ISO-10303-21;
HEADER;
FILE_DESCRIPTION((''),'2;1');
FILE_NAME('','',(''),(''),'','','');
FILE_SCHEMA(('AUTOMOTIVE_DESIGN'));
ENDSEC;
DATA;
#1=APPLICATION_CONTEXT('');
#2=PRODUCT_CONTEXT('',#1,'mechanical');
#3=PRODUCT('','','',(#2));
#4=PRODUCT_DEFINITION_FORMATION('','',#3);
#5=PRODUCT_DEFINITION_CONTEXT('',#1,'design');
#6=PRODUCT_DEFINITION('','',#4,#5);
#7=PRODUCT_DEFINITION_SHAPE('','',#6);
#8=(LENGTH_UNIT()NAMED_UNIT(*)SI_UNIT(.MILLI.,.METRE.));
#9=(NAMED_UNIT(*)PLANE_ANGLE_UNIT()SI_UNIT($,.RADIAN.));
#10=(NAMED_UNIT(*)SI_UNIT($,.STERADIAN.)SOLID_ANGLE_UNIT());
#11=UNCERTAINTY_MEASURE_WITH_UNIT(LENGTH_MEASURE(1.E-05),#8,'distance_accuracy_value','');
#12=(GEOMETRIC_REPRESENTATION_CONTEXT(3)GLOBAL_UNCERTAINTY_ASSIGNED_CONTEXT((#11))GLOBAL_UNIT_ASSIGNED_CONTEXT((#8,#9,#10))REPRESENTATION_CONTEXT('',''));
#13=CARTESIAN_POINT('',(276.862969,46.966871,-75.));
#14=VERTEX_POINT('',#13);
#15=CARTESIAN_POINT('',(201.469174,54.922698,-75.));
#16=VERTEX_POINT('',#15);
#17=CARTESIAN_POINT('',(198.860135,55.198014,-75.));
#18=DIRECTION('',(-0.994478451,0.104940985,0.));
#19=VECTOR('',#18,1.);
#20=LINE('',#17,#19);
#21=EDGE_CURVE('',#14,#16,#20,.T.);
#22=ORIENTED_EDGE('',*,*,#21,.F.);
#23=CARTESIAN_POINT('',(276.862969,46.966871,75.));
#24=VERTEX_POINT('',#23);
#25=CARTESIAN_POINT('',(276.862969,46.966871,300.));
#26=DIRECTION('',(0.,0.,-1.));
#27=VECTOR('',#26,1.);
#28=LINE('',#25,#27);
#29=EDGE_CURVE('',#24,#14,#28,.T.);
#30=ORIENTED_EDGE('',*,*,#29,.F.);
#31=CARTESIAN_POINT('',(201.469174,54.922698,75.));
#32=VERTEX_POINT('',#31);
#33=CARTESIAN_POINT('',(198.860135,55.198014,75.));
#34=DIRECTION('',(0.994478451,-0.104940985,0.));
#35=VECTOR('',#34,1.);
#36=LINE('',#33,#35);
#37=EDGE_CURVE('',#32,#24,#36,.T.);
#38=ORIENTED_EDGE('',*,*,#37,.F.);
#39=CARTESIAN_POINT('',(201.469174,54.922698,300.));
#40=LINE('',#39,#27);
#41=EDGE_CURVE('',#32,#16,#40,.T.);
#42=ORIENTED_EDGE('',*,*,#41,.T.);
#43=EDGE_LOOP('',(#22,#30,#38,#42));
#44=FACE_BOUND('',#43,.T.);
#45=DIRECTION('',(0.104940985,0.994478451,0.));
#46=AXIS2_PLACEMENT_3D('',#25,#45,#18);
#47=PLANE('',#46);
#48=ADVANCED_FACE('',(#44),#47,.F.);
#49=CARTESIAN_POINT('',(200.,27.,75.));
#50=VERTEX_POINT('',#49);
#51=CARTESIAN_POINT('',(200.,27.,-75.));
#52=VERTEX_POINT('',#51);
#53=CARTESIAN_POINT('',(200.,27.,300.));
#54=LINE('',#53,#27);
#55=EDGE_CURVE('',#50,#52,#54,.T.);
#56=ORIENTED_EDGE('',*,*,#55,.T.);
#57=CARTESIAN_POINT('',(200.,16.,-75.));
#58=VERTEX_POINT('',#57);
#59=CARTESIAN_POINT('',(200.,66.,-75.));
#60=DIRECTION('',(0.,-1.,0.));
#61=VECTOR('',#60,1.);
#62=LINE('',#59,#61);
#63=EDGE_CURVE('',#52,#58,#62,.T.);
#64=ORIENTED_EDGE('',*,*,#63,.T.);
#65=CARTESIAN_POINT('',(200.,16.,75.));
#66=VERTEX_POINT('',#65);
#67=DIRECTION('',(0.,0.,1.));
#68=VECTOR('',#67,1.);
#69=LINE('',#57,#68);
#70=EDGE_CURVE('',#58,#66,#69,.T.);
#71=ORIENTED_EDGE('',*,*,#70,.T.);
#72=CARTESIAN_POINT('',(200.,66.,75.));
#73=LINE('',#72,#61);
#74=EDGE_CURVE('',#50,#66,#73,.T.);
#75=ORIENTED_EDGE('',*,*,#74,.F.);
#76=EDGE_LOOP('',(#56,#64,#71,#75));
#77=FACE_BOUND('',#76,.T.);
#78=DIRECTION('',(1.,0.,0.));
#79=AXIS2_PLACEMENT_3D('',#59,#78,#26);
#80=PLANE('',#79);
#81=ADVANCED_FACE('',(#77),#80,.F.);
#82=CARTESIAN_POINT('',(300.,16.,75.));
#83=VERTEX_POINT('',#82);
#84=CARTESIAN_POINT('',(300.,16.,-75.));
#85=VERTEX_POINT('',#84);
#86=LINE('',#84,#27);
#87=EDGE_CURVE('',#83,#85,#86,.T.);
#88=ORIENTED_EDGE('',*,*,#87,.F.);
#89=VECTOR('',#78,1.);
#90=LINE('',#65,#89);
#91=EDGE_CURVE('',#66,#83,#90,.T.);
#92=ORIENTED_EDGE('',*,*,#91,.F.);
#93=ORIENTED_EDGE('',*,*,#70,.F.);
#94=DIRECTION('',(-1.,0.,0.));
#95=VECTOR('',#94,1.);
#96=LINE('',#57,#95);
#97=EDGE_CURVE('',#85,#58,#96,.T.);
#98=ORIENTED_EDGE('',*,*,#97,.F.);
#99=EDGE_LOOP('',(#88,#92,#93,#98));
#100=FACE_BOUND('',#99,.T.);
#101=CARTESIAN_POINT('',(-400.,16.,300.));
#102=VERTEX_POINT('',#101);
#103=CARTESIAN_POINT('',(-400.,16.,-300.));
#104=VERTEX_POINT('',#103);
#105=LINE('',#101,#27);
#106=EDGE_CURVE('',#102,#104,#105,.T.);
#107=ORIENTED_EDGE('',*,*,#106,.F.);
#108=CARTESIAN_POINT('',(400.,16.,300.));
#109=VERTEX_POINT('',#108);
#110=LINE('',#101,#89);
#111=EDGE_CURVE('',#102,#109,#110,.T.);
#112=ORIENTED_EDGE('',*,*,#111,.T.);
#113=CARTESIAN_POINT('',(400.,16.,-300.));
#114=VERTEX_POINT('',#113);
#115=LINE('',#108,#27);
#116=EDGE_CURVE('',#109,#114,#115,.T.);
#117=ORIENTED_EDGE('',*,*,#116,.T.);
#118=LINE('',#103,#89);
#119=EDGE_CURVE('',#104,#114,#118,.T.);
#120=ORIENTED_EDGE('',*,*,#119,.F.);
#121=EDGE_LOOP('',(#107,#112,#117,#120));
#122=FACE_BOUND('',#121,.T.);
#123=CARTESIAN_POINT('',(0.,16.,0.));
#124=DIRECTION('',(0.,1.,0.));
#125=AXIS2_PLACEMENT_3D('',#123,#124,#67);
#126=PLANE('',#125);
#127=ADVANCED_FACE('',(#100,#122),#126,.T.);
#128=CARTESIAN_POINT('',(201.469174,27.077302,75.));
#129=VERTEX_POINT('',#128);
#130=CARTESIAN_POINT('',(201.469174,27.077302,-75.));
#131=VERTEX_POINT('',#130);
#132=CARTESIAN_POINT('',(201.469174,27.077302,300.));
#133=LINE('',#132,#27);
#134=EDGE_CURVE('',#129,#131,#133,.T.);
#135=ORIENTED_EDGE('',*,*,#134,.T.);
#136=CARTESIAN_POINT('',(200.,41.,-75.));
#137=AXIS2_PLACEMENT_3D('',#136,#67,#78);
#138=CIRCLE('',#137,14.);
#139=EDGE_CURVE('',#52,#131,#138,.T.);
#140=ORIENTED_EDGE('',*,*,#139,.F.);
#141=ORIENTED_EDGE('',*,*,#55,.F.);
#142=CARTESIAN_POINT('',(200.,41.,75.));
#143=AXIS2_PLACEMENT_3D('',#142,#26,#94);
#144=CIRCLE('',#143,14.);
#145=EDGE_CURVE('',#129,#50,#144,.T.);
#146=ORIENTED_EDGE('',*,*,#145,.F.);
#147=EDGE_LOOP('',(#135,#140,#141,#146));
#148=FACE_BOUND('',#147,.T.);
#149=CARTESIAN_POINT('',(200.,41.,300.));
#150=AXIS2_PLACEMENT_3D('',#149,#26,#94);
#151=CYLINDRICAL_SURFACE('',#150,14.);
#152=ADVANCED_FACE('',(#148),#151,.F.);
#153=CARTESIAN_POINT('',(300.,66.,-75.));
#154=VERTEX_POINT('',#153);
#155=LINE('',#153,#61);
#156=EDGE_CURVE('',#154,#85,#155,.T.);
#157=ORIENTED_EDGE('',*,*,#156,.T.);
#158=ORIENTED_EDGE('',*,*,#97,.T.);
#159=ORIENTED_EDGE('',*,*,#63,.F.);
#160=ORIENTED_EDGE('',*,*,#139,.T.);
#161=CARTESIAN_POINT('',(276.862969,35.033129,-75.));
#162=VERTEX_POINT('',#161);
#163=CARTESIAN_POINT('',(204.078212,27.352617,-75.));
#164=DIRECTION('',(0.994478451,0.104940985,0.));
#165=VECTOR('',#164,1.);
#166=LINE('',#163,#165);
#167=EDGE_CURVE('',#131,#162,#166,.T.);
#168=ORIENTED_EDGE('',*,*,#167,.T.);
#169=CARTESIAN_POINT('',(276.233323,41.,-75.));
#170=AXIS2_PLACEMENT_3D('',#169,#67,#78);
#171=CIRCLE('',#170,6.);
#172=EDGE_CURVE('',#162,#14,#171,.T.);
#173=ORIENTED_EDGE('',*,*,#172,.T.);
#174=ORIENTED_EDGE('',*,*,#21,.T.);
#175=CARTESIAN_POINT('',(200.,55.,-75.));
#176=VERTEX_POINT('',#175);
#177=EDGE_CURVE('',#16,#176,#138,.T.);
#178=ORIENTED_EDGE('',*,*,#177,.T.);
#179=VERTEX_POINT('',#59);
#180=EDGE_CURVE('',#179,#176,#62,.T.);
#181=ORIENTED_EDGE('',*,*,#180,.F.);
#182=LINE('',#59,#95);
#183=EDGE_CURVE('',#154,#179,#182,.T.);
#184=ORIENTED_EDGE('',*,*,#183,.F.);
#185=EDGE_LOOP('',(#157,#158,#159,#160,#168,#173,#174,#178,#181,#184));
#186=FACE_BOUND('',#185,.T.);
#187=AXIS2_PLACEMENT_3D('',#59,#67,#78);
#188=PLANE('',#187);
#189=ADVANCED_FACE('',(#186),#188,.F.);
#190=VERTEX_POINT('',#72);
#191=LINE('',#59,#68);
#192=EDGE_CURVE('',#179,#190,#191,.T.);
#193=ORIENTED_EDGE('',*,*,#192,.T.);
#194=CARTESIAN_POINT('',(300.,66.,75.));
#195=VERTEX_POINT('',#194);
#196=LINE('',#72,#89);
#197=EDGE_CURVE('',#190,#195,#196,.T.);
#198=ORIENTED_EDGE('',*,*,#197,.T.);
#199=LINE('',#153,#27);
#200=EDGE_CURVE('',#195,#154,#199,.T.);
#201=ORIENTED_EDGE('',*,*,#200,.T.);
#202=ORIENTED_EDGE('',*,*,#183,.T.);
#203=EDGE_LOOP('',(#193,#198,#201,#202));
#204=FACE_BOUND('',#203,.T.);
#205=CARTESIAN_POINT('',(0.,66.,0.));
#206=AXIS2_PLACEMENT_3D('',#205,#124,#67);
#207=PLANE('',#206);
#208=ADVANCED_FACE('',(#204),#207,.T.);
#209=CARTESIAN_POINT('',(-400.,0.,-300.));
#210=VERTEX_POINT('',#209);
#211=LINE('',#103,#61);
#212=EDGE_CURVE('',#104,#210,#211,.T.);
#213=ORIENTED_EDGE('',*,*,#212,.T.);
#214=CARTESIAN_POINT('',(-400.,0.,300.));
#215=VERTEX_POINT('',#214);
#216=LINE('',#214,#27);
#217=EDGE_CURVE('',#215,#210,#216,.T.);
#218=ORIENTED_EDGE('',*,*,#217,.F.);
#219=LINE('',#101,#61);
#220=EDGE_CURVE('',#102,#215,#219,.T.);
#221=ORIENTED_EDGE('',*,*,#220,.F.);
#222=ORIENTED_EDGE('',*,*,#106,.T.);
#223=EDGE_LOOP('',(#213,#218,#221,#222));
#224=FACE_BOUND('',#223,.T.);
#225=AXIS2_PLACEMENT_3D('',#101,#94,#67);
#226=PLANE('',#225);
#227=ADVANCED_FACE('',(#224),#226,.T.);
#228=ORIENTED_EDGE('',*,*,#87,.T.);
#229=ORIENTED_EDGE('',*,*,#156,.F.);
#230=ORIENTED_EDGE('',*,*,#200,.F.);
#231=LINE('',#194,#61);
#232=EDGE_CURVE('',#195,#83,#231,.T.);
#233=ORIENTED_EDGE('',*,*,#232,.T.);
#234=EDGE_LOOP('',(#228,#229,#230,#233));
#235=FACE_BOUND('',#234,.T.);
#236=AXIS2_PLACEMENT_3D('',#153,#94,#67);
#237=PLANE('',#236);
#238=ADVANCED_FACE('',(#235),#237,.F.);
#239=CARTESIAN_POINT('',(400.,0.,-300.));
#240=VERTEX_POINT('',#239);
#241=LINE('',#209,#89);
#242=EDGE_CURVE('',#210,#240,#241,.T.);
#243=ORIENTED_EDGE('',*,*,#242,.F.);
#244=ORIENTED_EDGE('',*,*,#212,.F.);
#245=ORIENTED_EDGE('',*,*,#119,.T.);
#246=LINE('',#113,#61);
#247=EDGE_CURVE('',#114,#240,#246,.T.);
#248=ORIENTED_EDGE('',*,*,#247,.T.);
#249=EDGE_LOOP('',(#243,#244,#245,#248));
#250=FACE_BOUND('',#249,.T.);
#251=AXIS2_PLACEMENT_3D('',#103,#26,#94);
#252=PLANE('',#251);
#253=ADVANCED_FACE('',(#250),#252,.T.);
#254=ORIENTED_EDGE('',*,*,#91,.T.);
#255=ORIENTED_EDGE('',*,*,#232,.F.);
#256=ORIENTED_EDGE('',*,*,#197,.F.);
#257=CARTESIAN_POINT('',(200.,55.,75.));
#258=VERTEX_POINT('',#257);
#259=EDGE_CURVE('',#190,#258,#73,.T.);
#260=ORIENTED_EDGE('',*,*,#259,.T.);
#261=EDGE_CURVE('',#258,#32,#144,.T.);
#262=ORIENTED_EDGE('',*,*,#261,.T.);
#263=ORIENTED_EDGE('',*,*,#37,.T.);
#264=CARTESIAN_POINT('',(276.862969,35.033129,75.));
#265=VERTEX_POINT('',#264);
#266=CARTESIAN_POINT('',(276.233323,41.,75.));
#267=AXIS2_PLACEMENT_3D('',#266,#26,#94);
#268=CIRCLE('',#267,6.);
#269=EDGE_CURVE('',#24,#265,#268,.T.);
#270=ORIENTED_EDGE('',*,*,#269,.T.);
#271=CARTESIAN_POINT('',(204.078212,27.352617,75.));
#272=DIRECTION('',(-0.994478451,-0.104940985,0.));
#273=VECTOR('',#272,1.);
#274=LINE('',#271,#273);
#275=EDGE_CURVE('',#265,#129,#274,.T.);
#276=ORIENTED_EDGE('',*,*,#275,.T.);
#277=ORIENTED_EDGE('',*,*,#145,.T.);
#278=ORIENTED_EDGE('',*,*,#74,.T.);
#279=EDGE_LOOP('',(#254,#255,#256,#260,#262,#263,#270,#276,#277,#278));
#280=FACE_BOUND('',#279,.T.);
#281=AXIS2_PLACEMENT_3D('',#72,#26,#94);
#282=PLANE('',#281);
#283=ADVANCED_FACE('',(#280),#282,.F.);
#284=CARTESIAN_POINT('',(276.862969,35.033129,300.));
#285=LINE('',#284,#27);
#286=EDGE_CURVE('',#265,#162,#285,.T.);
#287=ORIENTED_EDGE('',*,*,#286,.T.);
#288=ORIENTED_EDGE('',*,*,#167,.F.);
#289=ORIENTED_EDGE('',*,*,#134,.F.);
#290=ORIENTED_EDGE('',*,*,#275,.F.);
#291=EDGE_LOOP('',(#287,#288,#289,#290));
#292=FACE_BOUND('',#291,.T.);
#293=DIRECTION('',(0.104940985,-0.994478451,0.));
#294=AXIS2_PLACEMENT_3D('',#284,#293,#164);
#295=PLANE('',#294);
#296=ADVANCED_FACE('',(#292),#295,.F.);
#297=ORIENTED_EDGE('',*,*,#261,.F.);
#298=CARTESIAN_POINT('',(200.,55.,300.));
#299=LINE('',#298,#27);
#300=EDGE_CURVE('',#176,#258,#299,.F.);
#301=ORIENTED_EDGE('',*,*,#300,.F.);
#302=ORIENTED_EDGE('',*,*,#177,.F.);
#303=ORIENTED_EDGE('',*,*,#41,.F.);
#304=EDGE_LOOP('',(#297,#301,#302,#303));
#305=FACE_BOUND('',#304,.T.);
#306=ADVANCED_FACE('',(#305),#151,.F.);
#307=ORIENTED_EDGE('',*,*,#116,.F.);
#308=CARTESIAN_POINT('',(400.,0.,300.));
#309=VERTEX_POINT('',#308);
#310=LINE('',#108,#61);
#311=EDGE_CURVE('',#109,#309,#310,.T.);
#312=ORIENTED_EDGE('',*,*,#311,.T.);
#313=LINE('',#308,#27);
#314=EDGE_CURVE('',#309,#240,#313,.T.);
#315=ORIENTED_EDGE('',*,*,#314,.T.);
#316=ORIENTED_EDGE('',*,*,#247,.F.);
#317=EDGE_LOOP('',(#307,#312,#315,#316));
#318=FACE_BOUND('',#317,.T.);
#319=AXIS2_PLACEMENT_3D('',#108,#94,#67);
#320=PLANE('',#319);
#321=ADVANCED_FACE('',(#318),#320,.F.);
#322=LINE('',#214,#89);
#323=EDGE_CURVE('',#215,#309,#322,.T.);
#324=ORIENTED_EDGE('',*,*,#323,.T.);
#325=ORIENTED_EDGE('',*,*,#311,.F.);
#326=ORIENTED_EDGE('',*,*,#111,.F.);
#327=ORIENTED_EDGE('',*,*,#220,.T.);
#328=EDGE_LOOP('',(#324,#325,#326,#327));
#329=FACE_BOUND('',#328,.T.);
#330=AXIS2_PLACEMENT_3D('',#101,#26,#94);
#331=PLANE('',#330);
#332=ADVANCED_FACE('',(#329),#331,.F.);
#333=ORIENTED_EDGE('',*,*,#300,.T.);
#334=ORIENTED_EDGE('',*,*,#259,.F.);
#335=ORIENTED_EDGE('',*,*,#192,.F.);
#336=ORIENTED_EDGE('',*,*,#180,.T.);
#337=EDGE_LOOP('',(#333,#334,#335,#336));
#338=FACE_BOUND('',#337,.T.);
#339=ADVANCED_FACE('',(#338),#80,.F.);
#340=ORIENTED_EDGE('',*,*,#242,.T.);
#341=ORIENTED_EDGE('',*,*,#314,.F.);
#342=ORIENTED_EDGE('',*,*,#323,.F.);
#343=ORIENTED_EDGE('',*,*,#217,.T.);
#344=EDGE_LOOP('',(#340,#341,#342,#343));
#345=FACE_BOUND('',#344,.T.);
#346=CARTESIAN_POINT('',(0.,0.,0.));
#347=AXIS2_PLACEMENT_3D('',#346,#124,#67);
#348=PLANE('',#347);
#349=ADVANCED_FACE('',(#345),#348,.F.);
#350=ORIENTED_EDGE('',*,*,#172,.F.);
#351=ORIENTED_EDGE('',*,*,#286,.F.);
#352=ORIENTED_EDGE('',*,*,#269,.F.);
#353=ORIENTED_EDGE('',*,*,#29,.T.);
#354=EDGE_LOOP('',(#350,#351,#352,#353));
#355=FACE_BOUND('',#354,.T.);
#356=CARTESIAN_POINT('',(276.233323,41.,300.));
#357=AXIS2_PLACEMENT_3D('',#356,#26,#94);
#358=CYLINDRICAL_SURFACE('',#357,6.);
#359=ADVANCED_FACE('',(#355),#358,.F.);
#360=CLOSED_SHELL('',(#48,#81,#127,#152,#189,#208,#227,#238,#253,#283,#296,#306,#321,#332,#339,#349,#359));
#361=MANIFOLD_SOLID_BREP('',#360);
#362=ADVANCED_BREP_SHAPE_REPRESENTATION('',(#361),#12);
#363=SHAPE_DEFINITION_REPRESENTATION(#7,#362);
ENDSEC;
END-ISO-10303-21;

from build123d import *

# Parameters (mm, degrees)
SKETCH1_W               = 800
SKETCH1_H               = 600
BOSS_EXTRUDE1_DEPTH     = 16
SKETCH2_W               = 100
SKETCH2_H               = 150
BOSS_EXTRUDE2_DEPTH     = 50
CUT_EXTRUDE1_DEPTH      = 553.2508488
CUT_EXTRUDE1_DEPTH_BACK = 553.2508488


with BuildPart() as part:
    # Sketch1 → Boss-Extrude1 (new body)
    with BuildSketch(Plane(origin=(0, 0, 0), x_dir=(1, 0, 0), z_dir=(0, 1, 0))):
        Rectangle(SKETCH1_W, SKETCH1_H)
    extrude(amount=BOSS_EXTRUDE1_DEPTH)

    # Sketch2 → Boss-Extrude2 (add)
    with BuildSketch(Plane(origin=(0, 16, 0), x_dir=(1, 0, 0), z_dir=(0, 1, 0))):
        with Locations((250, 0)):
            Rectangle(SKETCH2_W, SKETCH2_H)
    extrude(amount=BOSS_EXTRUDE2_DEPTH)

    # Sketch3 → Cut-Extrude1 (cut, two sides: drawn at the far end of the back side and taken through both)
    with BuildSketch(Plane(origin=(0, 0, -75), x_dir=(-1, 0, 0), z_dir=(0, 0, -1)).offset(-CUT_EXTRUDE1_DEPTH_BACK)):
        with BuildLine():
            Line((-276.86296919, 46.966870707), (-201.469173784, 54.922698316))
            ThreePointArc((-201.469173784, 54.922698316), (-186, 41), (-201.469173784, 27.077301684))
            Line((-201.469173784, 27.077301684), (-276.86296919, 35.033129293))
            ThreePointArc((-276.86296919, 35.033129293), (-282.233323283, 41), (-276.86296919, 46.966870707))
        make_face()
    extrude(amount=CUT_EXTRUDE1_DEPTH + CUT_EXTRUDE1_DEPTH_BACK, mode=Mode.SUBTRACT)


solid = part.part
